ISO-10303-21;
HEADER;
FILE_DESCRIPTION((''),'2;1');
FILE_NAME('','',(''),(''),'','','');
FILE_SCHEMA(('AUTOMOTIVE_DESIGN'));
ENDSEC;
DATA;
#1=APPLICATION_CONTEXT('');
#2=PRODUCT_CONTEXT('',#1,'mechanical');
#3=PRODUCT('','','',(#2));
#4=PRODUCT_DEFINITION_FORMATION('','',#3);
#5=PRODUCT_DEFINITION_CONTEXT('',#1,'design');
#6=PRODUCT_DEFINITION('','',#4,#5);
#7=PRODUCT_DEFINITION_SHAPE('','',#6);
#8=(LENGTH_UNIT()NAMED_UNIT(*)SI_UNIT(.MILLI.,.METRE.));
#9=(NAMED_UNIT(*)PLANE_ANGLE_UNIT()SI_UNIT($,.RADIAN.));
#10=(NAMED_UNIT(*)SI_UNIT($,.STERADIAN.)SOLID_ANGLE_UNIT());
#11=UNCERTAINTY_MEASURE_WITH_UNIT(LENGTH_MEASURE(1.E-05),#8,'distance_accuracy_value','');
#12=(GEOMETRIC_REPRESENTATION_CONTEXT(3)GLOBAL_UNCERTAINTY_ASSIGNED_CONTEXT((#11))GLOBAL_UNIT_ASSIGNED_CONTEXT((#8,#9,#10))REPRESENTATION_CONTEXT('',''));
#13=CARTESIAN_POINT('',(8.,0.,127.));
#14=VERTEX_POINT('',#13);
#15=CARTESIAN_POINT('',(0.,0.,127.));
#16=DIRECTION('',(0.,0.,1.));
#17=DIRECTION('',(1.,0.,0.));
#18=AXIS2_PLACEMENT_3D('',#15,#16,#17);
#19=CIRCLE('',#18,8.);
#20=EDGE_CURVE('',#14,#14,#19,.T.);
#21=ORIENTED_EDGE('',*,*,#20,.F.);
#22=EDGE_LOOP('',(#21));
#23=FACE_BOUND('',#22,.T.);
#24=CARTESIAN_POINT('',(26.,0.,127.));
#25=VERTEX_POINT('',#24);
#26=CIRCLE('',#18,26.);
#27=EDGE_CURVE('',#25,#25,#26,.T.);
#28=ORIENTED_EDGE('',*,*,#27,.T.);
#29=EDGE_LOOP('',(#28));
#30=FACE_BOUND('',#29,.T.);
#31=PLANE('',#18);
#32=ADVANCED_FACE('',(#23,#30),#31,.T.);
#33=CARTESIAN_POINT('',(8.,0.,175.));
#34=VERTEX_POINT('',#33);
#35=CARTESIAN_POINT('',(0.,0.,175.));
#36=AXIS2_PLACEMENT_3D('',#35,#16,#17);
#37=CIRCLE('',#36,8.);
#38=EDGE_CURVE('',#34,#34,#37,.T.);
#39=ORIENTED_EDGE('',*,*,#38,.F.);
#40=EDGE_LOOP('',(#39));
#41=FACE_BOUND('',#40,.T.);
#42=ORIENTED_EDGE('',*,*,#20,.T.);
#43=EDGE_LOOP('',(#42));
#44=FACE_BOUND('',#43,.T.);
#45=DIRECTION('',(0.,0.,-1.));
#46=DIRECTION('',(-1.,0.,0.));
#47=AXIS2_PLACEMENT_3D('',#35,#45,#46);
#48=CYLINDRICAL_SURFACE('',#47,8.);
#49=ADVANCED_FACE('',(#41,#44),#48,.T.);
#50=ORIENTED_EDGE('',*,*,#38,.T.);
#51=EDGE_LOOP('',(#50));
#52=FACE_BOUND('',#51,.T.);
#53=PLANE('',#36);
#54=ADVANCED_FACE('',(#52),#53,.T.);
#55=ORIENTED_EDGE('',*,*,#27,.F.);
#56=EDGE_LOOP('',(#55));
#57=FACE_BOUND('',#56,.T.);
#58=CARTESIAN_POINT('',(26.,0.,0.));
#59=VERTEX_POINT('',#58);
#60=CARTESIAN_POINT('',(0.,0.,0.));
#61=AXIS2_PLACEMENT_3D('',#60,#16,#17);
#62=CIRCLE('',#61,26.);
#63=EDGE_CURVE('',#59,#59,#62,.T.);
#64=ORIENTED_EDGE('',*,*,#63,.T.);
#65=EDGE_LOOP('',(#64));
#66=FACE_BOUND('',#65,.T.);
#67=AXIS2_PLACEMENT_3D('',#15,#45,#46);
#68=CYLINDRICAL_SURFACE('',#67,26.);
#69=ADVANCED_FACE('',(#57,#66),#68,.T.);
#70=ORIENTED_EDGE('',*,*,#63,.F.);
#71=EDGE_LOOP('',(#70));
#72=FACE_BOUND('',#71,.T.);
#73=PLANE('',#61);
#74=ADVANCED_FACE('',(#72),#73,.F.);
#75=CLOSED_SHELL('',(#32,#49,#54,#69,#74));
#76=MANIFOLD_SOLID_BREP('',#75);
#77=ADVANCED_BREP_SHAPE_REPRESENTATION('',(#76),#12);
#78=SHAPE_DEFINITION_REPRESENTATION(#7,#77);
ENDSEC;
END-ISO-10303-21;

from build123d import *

# Parameters (mm, degrees)
SKETCH1_R        = 26
SKETCH1_R_2      = 8
EXTRUSION1_DEPTH = 127
SKETCH2_R        = 8
EXTRUSION2_DEPTH = 175


with BuildPart() as part:
    # Sketch1 → Extrusion1 (new body)
    with BuildSketch(Plane.XY):
        Circle(SKETCH1_R)
        Circle(SKETCH1_R_2, mode=Mode.SUBTRACT)
    extrude(amount=EXTRUSION1_DEPTH)

    # Sketch2 → Extrusion2 (add)
    with BuildSketch(Plane.XY):
        Circle(SKETCH2_R)
    extrude(amount=EXTRUSION2_DEPTH)


solid = part.part
